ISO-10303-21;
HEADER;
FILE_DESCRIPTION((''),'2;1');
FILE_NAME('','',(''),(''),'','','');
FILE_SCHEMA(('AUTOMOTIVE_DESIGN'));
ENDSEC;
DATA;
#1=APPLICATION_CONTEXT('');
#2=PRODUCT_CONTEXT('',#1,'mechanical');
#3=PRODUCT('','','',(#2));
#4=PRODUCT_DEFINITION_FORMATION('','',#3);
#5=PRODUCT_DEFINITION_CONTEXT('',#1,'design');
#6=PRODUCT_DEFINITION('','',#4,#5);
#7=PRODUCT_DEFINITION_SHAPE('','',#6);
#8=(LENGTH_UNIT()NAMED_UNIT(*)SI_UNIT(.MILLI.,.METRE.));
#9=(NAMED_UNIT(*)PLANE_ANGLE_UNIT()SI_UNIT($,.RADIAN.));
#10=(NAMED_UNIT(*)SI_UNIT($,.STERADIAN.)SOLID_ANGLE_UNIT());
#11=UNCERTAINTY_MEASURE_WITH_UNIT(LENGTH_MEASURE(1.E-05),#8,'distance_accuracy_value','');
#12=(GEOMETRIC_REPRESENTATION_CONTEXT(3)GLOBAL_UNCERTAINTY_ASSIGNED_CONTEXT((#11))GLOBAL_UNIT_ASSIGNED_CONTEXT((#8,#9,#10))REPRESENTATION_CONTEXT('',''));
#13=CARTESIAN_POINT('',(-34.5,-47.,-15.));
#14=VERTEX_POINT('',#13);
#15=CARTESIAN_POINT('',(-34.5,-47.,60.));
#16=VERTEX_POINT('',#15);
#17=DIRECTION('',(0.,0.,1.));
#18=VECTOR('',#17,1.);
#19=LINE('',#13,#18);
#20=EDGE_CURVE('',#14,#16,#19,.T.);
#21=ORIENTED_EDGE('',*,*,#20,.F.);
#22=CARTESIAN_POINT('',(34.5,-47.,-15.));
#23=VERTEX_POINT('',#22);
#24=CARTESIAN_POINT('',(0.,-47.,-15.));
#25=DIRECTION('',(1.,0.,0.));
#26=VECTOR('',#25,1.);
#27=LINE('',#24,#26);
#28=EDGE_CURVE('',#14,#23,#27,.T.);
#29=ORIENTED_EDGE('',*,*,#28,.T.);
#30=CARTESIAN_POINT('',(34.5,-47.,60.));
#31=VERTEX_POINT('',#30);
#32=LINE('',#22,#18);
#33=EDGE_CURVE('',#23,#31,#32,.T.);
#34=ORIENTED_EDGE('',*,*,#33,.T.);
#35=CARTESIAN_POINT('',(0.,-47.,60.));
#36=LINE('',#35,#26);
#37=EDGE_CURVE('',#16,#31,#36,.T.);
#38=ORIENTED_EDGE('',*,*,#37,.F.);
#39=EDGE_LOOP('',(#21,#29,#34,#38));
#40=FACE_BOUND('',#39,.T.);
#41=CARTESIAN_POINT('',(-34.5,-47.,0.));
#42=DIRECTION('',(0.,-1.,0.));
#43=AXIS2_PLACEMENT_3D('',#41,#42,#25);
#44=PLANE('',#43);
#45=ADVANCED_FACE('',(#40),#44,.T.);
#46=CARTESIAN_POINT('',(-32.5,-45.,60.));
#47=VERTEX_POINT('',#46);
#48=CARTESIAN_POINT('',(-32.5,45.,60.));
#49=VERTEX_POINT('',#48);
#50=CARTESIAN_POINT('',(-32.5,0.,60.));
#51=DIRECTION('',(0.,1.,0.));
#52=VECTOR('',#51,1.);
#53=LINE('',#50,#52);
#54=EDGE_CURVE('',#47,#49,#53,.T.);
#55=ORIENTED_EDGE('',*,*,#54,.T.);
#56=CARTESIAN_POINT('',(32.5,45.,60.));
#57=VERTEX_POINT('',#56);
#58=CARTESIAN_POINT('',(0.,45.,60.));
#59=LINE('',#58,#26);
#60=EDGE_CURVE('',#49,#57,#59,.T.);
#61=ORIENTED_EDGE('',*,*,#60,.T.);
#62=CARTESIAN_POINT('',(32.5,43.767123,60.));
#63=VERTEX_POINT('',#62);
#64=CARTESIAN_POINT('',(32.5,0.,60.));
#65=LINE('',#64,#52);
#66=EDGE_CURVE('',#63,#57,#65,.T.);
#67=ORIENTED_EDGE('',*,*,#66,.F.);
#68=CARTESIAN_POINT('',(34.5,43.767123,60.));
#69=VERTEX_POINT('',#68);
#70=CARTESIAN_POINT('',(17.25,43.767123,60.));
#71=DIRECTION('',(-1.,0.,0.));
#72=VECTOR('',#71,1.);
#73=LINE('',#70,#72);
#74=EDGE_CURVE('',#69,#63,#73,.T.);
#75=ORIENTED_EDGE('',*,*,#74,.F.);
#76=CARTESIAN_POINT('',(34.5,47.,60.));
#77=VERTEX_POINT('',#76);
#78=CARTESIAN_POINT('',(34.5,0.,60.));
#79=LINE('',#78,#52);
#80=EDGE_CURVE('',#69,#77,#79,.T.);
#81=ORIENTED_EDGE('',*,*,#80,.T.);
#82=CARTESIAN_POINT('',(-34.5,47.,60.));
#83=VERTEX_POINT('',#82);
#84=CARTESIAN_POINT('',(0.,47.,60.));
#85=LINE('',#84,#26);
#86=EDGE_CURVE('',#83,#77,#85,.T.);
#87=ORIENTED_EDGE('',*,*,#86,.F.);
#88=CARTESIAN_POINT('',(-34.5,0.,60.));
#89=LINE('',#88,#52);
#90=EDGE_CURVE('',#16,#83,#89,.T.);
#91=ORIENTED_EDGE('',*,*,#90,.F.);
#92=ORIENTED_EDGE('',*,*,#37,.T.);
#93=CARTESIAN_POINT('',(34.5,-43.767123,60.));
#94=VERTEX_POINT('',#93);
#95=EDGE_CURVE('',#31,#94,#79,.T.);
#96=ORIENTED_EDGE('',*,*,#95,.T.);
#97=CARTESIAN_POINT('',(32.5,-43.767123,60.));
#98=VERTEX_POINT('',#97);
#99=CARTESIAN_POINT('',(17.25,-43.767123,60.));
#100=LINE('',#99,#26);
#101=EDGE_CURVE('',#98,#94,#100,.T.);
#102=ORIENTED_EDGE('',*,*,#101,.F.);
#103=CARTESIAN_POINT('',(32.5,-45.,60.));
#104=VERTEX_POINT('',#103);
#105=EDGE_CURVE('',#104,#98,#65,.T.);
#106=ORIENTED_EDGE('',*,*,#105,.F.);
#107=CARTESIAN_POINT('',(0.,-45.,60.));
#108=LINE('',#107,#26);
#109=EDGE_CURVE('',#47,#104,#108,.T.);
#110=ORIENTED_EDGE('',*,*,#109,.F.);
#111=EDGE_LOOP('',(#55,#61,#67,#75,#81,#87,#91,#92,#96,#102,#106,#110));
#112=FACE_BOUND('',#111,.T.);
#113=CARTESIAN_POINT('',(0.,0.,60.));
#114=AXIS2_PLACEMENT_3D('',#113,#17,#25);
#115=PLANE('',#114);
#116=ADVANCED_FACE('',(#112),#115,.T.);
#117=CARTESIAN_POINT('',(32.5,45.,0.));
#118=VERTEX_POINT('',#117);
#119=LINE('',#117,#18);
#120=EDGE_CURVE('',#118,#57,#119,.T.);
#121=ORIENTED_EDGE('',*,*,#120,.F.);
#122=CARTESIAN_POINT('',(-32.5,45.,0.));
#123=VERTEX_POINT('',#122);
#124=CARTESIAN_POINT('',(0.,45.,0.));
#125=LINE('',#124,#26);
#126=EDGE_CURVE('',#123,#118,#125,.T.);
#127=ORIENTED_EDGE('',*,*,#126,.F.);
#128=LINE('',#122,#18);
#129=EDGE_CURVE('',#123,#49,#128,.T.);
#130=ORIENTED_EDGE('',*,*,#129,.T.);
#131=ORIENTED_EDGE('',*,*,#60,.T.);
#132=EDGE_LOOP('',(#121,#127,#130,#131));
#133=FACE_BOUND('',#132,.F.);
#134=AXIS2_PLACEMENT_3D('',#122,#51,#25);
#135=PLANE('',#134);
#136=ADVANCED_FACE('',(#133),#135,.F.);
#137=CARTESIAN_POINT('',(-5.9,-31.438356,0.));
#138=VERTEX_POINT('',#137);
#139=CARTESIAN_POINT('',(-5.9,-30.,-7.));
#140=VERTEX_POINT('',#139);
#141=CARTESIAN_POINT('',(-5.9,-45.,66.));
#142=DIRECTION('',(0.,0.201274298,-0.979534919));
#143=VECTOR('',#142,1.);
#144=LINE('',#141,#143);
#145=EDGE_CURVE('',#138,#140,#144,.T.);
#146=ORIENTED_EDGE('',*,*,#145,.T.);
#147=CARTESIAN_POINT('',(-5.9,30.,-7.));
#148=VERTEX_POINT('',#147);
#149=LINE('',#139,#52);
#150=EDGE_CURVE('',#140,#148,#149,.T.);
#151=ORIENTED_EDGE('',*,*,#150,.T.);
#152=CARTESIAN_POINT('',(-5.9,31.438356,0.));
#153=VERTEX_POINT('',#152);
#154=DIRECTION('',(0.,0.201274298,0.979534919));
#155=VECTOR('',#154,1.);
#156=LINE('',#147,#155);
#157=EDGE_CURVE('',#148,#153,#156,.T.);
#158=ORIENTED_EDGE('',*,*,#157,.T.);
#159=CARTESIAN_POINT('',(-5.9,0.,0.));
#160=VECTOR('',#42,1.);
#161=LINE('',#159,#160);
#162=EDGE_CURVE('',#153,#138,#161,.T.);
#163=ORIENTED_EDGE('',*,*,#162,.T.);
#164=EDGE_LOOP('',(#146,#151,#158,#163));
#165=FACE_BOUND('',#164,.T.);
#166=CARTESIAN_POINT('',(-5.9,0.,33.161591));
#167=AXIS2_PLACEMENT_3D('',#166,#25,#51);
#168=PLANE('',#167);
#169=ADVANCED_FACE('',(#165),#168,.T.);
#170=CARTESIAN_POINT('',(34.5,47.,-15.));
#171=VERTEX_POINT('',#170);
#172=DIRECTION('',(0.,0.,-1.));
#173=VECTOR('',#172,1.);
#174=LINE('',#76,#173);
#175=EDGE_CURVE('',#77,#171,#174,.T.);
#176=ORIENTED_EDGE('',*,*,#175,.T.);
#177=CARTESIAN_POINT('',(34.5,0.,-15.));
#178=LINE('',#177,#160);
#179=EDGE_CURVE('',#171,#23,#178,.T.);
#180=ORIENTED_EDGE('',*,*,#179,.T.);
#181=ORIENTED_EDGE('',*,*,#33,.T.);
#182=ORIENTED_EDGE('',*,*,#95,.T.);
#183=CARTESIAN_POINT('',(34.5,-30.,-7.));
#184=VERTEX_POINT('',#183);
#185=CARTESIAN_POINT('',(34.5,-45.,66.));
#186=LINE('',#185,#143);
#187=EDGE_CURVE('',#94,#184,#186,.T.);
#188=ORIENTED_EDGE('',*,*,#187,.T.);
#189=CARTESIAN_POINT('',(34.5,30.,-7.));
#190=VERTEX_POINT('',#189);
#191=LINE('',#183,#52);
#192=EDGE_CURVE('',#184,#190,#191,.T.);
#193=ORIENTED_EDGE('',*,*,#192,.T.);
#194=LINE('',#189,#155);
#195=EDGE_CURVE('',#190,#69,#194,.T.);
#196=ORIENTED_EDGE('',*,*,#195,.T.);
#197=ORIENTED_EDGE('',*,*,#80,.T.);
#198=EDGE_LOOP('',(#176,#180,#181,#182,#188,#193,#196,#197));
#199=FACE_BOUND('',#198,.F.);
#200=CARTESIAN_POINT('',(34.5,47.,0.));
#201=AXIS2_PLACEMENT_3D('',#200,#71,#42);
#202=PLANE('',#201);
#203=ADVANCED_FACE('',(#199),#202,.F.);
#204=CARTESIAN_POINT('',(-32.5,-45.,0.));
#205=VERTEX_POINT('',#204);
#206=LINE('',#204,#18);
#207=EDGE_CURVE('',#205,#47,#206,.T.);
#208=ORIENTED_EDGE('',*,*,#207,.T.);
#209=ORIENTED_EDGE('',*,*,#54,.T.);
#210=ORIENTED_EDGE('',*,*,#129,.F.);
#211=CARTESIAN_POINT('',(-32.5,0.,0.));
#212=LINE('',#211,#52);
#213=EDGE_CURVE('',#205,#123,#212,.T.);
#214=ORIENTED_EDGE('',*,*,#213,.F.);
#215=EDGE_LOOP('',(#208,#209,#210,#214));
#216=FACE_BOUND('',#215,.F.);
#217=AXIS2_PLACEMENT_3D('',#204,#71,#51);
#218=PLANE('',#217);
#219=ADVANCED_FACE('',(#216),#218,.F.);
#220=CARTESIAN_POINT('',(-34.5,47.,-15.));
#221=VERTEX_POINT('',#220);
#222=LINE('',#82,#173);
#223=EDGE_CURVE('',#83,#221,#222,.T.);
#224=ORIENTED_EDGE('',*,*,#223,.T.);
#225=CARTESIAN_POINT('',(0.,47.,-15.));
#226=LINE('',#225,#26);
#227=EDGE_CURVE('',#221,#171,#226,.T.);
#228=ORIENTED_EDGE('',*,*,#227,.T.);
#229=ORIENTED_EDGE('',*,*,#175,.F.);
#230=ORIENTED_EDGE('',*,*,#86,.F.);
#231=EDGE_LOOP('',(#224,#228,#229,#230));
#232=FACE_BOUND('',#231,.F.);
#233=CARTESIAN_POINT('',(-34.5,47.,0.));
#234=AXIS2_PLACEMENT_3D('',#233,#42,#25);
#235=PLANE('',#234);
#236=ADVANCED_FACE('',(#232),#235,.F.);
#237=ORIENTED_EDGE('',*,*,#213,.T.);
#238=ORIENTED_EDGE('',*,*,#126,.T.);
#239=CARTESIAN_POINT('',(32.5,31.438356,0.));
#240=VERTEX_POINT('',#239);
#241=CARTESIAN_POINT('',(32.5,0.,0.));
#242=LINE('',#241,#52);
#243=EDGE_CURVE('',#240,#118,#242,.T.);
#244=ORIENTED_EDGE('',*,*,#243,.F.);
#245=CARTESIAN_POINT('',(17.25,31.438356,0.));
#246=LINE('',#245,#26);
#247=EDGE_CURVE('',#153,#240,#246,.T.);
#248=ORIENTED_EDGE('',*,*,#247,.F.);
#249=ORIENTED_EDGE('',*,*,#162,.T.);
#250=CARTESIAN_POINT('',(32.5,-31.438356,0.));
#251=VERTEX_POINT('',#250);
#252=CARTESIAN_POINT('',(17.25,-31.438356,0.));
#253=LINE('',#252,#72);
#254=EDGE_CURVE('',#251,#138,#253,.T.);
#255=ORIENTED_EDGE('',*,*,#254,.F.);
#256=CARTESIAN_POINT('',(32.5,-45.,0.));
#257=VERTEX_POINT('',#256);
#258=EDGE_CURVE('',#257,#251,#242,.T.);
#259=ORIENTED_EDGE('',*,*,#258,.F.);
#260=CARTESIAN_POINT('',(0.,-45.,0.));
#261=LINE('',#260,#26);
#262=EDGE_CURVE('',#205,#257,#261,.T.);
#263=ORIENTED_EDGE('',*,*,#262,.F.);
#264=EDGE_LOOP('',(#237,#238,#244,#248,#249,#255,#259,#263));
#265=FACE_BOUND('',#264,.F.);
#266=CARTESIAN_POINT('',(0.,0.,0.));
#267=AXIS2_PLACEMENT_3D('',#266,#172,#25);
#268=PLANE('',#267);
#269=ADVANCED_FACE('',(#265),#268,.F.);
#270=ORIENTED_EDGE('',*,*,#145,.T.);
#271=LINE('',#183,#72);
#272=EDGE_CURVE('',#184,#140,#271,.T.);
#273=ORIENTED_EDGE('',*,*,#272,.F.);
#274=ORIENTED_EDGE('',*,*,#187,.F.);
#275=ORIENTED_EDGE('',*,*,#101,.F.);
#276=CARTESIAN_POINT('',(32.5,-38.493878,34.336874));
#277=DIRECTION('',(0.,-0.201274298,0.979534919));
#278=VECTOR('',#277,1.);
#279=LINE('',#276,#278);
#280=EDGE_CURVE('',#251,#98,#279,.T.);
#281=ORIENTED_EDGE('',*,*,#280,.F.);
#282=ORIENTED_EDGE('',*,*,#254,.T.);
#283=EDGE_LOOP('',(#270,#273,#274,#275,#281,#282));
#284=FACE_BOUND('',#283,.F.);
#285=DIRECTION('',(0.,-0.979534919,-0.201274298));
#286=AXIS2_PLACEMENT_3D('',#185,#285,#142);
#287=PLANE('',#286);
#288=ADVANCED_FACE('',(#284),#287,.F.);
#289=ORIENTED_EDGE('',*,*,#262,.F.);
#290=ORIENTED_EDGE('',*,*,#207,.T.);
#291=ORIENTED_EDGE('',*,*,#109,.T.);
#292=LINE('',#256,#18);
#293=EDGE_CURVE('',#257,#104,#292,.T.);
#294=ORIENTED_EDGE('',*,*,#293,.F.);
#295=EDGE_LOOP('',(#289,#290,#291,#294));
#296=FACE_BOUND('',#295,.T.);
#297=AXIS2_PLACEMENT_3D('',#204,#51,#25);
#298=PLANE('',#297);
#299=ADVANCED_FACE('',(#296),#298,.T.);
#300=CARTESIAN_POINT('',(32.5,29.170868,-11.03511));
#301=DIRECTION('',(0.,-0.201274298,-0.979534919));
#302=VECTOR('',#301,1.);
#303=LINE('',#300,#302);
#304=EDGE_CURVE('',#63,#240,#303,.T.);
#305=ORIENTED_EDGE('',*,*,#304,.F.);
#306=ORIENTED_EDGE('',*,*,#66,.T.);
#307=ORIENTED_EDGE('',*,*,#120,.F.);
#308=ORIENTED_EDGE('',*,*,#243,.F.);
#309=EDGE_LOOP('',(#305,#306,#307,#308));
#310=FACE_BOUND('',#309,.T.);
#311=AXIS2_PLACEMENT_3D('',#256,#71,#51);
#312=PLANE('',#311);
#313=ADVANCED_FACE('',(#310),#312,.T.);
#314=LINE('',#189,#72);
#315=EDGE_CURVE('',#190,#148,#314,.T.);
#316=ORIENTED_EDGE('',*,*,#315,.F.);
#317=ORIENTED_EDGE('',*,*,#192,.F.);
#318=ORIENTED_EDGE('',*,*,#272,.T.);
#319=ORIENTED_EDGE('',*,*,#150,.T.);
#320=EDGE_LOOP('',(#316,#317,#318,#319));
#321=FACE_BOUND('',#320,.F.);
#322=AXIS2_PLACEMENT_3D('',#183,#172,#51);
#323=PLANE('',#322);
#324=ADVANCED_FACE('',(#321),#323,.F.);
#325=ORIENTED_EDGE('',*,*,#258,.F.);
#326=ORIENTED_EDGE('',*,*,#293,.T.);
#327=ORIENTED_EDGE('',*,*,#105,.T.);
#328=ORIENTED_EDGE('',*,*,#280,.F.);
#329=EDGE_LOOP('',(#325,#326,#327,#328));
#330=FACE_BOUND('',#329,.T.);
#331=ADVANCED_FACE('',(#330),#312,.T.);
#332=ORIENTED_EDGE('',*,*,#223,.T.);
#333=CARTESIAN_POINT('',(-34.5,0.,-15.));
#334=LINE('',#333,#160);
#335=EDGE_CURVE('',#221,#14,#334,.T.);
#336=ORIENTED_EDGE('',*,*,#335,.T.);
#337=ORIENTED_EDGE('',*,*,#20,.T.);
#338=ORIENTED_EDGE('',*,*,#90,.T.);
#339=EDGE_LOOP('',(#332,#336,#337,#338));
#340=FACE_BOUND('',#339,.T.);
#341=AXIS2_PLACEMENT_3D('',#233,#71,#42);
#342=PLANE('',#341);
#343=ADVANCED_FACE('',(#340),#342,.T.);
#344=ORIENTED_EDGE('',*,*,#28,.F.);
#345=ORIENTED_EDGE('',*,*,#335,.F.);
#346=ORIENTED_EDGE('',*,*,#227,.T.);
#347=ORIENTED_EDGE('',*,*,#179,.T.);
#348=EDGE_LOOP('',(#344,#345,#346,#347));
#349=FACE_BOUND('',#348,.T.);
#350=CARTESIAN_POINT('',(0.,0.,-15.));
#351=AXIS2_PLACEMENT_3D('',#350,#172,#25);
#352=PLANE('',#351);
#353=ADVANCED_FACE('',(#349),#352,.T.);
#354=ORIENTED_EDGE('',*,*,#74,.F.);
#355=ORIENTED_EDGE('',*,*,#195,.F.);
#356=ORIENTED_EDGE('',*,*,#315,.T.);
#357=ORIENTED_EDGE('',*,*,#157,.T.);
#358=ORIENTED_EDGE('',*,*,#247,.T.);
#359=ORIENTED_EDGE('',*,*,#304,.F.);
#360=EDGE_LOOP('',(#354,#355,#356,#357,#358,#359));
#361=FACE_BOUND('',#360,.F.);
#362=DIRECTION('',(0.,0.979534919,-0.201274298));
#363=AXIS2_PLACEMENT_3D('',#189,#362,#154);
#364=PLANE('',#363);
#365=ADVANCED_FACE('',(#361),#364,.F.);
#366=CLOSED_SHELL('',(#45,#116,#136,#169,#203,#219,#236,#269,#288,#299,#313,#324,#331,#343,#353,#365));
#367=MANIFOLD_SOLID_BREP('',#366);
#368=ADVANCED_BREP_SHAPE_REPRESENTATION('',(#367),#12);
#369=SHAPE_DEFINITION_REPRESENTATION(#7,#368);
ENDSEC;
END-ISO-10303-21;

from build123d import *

# Parameters (mm, degrees)
F0_W     = 69
F0_H     = 94
F0_W_2   = 65
F0_H_2   = 90
F1_DEPTH = 60
F2_W     = 69
F2_H     = 94
F3_DEPTH = 15
F5_DEPTH = 40.4


with BuildPart() as f1:
    # F0 (on Top) → F1 (new body)
    with BuildSketch(Plane.XY):
        Rectangle(F0_W, F0_H)
        Rectangle(F0_W_2, F0_H_2, mode=Mode.SUBTRACT)
    extrude(amount=F1_DEPTH)

    # F2 (on face) → F3 (join)
    with BuildSketch(Plane(origin=(0, 0, 0), x_dir=(1, 0, 0), z_dir=(0, 0, -1))):
        Rectangle(F2_W, F2_H)
    extrude(amount=F3_DEPTH)

    # F4 (on face) → F5 (cut)
    with BuildSketch(Plane.YZ.offset(34.5)):
        Polygon((-30, -7), (0, -7), (30, -7), (45, 66), (0, 66), (-45, 66), align=None)
    extrude(amount=-F5_DEPTH, mode=Mode.SUBTRACT)


solid = f1.part
